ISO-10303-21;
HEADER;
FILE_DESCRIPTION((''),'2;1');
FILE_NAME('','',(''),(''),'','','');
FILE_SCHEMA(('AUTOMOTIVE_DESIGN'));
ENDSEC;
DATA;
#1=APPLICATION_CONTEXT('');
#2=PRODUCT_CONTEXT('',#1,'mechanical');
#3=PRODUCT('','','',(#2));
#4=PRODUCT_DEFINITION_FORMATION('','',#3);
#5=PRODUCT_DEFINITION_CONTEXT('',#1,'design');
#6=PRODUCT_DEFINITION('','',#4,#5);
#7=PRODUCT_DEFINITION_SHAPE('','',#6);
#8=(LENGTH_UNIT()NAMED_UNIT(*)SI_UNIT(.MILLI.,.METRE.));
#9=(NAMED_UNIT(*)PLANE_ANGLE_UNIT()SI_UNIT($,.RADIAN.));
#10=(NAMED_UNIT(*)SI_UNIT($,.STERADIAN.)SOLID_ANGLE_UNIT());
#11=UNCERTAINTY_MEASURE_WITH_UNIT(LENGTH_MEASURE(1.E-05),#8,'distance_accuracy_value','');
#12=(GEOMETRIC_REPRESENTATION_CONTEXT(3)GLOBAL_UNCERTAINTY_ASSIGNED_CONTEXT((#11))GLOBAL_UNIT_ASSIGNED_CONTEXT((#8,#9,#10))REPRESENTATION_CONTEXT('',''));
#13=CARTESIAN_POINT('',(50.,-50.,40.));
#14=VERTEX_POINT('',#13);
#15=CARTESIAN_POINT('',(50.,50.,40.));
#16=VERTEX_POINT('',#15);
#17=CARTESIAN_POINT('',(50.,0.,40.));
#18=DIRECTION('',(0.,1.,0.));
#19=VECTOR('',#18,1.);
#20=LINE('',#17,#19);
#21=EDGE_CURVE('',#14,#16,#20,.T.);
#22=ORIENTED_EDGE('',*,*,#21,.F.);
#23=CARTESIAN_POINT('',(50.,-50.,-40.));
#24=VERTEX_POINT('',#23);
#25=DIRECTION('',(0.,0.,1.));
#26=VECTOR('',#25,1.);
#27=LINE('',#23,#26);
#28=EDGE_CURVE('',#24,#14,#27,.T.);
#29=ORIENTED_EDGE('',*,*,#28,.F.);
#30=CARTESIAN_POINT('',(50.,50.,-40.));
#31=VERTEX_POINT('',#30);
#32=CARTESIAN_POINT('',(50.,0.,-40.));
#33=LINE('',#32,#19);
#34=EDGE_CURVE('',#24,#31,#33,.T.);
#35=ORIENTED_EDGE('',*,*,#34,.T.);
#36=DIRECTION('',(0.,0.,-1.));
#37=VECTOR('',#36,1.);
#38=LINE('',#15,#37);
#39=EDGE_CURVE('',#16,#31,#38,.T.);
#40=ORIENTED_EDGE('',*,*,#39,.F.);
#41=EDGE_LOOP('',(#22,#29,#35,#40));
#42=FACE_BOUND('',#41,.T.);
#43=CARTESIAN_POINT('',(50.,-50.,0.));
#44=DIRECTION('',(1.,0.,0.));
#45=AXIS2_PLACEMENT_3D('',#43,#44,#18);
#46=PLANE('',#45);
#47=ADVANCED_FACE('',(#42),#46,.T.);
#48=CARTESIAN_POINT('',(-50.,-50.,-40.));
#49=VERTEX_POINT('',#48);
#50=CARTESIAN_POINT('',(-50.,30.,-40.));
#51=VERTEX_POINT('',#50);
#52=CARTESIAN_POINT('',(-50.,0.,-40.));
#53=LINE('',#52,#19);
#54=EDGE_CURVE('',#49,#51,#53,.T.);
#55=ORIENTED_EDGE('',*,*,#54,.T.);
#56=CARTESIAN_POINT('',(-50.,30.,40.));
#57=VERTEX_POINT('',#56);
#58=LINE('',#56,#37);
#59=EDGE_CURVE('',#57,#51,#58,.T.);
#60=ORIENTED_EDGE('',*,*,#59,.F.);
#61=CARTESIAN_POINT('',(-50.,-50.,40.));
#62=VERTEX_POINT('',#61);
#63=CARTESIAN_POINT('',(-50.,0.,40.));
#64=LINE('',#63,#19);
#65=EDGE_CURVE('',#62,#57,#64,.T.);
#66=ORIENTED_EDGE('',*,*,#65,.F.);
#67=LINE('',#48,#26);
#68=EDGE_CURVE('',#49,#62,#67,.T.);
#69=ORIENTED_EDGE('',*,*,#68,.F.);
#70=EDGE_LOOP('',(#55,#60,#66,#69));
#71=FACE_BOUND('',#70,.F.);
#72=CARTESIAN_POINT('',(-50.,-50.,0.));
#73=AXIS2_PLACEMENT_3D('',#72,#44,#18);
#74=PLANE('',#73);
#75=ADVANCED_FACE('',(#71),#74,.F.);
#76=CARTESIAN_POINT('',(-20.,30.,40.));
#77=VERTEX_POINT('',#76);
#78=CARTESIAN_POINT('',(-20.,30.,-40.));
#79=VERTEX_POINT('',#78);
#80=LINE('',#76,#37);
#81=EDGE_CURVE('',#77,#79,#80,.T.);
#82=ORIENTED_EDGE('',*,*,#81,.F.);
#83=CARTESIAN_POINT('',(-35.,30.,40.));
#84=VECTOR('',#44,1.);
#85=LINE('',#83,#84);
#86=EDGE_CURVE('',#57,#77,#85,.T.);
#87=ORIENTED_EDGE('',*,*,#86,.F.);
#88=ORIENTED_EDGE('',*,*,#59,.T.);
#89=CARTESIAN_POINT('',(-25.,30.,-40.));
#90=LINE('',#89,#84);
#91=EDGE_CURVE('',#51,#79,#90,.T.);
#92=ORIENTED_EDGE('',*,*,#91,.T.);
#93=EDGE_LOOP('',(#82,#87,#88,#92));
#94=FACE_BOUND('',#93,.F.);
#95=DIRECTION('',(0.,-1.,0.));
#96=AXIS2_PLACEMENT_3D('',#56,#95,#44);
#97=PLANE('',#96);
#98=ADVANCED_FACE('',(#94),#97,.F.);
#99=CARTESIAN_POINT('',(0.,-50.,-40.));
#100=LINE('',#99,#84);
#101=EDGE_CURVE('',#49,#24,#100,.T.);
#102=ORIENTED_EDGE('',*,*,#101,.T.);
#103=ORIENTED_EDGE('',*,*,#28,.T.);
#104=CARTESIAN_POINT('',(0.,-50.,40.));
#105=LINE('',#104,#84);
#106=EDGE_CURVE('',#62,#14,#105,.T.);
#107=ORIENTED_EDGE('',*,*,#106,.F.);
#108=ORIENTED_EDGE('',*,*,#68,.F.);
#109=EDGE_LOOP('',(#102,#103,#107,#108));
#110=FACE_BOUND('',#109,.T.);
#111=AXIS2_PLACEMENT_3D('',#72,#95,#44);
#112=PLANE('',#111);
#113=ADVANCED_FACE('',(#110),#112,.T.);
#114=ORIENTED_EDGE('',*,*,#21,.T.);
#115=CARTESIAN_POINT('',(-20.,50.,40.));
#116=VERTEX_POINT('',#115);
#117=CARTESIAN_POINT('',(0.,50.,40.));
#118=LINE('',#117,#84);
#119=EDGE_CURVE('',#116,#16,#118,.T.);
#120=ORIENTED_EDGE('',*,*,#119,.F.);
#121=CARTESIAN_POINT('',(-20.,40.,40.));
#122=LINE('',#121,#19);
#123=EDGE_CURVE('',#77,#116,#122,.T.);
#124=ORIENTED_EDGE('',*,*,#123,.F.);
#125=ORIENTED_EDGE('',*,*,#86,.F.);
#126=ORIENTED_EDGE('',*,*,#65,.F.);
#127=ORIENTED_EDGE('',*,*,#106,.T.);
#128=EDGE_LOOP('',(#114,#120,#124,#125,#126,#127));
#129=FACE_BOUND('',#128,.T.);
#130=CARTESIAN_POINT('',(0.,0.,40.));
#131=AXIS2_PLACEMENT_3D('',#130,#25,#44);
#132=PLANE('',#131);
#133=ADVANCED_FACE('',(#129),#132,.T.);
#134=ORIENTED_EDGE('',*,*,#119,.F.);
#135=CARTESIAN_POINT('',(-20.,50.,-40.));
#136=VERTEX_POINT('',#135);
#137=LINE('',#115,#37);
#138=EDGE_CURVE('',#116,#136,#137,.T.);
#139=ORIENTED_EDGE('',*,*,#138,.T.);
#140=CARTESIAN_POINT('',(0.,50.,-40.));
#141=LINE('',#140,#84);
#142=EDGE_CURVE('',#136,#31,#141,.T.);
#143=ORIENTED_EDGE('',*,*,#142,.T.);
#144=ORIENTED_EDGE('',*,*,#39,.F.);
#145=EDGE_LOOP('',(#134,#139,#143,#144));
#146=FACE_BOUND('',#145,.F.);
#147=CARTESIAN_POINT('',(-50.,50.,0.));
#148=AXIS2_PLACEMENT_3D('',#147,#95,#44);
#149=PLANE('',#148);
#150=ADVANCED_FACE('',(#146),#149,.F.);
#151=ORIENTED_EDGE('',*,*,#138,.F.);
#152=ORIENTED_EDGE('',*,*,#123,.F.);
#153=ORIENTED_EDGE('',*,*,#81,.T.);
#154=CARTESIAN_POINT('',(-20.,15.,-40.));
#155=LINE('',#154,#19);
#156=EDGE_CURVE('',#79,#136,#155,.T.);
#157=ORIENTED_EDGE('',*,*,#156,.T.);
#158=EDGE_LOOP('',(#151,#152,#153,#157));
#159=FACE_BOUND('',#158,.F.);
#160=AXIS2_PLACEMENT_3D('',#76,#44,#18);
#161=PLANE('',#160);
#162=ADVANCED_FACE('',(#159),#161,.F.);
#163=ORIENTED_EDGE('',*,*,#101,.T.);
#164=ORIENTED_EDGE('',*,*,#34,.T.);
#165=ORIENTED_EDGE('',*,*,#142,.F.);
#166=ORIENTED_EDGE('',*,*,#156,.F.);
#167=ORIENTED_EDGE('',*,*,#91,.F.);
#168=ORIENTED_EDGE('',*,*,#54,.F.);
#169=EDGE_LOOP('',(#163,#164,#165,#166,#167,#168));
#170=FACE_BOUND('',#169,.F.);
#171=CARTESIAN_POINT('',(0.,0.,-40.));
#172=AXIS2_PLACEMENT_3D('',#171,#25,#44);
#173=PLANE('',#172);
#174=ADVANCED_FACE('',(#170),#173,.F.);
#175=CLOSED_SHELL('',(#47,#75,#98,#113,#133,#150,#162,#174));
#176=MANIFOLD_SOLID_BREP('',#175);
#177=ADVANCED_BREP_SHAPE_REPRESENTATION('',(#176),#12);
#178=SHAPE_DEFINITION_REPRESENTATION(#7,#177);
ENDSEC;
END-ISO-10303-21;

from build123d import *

# Parameters (mm, degrees)
F0_W     = 100
F0_H     = 100
F1_DEPTH = 40
F2_W     = 30
F2_H     = 20
F3_DEPTH = 80.001


with BuildPart() as f1:
    # F0 (on Top) → F1 (new body, symmetric)
    with BuildSketch(Plane.XY):
        Rectangle(F0_W, F0_H)
    extrude(amount=F1_DEPTH, both=True)

    # F2 (on face) → F3 (cut, through all)
    with BuildSketch(Plane.XY.offset(40)):
        with Locations((-35, 40)):
            Rectangle(F2_W, F2_H)
    extrude(amount=-F3_DEPTH, mode=Mode.SUBTRACT)


solid = f1.part
